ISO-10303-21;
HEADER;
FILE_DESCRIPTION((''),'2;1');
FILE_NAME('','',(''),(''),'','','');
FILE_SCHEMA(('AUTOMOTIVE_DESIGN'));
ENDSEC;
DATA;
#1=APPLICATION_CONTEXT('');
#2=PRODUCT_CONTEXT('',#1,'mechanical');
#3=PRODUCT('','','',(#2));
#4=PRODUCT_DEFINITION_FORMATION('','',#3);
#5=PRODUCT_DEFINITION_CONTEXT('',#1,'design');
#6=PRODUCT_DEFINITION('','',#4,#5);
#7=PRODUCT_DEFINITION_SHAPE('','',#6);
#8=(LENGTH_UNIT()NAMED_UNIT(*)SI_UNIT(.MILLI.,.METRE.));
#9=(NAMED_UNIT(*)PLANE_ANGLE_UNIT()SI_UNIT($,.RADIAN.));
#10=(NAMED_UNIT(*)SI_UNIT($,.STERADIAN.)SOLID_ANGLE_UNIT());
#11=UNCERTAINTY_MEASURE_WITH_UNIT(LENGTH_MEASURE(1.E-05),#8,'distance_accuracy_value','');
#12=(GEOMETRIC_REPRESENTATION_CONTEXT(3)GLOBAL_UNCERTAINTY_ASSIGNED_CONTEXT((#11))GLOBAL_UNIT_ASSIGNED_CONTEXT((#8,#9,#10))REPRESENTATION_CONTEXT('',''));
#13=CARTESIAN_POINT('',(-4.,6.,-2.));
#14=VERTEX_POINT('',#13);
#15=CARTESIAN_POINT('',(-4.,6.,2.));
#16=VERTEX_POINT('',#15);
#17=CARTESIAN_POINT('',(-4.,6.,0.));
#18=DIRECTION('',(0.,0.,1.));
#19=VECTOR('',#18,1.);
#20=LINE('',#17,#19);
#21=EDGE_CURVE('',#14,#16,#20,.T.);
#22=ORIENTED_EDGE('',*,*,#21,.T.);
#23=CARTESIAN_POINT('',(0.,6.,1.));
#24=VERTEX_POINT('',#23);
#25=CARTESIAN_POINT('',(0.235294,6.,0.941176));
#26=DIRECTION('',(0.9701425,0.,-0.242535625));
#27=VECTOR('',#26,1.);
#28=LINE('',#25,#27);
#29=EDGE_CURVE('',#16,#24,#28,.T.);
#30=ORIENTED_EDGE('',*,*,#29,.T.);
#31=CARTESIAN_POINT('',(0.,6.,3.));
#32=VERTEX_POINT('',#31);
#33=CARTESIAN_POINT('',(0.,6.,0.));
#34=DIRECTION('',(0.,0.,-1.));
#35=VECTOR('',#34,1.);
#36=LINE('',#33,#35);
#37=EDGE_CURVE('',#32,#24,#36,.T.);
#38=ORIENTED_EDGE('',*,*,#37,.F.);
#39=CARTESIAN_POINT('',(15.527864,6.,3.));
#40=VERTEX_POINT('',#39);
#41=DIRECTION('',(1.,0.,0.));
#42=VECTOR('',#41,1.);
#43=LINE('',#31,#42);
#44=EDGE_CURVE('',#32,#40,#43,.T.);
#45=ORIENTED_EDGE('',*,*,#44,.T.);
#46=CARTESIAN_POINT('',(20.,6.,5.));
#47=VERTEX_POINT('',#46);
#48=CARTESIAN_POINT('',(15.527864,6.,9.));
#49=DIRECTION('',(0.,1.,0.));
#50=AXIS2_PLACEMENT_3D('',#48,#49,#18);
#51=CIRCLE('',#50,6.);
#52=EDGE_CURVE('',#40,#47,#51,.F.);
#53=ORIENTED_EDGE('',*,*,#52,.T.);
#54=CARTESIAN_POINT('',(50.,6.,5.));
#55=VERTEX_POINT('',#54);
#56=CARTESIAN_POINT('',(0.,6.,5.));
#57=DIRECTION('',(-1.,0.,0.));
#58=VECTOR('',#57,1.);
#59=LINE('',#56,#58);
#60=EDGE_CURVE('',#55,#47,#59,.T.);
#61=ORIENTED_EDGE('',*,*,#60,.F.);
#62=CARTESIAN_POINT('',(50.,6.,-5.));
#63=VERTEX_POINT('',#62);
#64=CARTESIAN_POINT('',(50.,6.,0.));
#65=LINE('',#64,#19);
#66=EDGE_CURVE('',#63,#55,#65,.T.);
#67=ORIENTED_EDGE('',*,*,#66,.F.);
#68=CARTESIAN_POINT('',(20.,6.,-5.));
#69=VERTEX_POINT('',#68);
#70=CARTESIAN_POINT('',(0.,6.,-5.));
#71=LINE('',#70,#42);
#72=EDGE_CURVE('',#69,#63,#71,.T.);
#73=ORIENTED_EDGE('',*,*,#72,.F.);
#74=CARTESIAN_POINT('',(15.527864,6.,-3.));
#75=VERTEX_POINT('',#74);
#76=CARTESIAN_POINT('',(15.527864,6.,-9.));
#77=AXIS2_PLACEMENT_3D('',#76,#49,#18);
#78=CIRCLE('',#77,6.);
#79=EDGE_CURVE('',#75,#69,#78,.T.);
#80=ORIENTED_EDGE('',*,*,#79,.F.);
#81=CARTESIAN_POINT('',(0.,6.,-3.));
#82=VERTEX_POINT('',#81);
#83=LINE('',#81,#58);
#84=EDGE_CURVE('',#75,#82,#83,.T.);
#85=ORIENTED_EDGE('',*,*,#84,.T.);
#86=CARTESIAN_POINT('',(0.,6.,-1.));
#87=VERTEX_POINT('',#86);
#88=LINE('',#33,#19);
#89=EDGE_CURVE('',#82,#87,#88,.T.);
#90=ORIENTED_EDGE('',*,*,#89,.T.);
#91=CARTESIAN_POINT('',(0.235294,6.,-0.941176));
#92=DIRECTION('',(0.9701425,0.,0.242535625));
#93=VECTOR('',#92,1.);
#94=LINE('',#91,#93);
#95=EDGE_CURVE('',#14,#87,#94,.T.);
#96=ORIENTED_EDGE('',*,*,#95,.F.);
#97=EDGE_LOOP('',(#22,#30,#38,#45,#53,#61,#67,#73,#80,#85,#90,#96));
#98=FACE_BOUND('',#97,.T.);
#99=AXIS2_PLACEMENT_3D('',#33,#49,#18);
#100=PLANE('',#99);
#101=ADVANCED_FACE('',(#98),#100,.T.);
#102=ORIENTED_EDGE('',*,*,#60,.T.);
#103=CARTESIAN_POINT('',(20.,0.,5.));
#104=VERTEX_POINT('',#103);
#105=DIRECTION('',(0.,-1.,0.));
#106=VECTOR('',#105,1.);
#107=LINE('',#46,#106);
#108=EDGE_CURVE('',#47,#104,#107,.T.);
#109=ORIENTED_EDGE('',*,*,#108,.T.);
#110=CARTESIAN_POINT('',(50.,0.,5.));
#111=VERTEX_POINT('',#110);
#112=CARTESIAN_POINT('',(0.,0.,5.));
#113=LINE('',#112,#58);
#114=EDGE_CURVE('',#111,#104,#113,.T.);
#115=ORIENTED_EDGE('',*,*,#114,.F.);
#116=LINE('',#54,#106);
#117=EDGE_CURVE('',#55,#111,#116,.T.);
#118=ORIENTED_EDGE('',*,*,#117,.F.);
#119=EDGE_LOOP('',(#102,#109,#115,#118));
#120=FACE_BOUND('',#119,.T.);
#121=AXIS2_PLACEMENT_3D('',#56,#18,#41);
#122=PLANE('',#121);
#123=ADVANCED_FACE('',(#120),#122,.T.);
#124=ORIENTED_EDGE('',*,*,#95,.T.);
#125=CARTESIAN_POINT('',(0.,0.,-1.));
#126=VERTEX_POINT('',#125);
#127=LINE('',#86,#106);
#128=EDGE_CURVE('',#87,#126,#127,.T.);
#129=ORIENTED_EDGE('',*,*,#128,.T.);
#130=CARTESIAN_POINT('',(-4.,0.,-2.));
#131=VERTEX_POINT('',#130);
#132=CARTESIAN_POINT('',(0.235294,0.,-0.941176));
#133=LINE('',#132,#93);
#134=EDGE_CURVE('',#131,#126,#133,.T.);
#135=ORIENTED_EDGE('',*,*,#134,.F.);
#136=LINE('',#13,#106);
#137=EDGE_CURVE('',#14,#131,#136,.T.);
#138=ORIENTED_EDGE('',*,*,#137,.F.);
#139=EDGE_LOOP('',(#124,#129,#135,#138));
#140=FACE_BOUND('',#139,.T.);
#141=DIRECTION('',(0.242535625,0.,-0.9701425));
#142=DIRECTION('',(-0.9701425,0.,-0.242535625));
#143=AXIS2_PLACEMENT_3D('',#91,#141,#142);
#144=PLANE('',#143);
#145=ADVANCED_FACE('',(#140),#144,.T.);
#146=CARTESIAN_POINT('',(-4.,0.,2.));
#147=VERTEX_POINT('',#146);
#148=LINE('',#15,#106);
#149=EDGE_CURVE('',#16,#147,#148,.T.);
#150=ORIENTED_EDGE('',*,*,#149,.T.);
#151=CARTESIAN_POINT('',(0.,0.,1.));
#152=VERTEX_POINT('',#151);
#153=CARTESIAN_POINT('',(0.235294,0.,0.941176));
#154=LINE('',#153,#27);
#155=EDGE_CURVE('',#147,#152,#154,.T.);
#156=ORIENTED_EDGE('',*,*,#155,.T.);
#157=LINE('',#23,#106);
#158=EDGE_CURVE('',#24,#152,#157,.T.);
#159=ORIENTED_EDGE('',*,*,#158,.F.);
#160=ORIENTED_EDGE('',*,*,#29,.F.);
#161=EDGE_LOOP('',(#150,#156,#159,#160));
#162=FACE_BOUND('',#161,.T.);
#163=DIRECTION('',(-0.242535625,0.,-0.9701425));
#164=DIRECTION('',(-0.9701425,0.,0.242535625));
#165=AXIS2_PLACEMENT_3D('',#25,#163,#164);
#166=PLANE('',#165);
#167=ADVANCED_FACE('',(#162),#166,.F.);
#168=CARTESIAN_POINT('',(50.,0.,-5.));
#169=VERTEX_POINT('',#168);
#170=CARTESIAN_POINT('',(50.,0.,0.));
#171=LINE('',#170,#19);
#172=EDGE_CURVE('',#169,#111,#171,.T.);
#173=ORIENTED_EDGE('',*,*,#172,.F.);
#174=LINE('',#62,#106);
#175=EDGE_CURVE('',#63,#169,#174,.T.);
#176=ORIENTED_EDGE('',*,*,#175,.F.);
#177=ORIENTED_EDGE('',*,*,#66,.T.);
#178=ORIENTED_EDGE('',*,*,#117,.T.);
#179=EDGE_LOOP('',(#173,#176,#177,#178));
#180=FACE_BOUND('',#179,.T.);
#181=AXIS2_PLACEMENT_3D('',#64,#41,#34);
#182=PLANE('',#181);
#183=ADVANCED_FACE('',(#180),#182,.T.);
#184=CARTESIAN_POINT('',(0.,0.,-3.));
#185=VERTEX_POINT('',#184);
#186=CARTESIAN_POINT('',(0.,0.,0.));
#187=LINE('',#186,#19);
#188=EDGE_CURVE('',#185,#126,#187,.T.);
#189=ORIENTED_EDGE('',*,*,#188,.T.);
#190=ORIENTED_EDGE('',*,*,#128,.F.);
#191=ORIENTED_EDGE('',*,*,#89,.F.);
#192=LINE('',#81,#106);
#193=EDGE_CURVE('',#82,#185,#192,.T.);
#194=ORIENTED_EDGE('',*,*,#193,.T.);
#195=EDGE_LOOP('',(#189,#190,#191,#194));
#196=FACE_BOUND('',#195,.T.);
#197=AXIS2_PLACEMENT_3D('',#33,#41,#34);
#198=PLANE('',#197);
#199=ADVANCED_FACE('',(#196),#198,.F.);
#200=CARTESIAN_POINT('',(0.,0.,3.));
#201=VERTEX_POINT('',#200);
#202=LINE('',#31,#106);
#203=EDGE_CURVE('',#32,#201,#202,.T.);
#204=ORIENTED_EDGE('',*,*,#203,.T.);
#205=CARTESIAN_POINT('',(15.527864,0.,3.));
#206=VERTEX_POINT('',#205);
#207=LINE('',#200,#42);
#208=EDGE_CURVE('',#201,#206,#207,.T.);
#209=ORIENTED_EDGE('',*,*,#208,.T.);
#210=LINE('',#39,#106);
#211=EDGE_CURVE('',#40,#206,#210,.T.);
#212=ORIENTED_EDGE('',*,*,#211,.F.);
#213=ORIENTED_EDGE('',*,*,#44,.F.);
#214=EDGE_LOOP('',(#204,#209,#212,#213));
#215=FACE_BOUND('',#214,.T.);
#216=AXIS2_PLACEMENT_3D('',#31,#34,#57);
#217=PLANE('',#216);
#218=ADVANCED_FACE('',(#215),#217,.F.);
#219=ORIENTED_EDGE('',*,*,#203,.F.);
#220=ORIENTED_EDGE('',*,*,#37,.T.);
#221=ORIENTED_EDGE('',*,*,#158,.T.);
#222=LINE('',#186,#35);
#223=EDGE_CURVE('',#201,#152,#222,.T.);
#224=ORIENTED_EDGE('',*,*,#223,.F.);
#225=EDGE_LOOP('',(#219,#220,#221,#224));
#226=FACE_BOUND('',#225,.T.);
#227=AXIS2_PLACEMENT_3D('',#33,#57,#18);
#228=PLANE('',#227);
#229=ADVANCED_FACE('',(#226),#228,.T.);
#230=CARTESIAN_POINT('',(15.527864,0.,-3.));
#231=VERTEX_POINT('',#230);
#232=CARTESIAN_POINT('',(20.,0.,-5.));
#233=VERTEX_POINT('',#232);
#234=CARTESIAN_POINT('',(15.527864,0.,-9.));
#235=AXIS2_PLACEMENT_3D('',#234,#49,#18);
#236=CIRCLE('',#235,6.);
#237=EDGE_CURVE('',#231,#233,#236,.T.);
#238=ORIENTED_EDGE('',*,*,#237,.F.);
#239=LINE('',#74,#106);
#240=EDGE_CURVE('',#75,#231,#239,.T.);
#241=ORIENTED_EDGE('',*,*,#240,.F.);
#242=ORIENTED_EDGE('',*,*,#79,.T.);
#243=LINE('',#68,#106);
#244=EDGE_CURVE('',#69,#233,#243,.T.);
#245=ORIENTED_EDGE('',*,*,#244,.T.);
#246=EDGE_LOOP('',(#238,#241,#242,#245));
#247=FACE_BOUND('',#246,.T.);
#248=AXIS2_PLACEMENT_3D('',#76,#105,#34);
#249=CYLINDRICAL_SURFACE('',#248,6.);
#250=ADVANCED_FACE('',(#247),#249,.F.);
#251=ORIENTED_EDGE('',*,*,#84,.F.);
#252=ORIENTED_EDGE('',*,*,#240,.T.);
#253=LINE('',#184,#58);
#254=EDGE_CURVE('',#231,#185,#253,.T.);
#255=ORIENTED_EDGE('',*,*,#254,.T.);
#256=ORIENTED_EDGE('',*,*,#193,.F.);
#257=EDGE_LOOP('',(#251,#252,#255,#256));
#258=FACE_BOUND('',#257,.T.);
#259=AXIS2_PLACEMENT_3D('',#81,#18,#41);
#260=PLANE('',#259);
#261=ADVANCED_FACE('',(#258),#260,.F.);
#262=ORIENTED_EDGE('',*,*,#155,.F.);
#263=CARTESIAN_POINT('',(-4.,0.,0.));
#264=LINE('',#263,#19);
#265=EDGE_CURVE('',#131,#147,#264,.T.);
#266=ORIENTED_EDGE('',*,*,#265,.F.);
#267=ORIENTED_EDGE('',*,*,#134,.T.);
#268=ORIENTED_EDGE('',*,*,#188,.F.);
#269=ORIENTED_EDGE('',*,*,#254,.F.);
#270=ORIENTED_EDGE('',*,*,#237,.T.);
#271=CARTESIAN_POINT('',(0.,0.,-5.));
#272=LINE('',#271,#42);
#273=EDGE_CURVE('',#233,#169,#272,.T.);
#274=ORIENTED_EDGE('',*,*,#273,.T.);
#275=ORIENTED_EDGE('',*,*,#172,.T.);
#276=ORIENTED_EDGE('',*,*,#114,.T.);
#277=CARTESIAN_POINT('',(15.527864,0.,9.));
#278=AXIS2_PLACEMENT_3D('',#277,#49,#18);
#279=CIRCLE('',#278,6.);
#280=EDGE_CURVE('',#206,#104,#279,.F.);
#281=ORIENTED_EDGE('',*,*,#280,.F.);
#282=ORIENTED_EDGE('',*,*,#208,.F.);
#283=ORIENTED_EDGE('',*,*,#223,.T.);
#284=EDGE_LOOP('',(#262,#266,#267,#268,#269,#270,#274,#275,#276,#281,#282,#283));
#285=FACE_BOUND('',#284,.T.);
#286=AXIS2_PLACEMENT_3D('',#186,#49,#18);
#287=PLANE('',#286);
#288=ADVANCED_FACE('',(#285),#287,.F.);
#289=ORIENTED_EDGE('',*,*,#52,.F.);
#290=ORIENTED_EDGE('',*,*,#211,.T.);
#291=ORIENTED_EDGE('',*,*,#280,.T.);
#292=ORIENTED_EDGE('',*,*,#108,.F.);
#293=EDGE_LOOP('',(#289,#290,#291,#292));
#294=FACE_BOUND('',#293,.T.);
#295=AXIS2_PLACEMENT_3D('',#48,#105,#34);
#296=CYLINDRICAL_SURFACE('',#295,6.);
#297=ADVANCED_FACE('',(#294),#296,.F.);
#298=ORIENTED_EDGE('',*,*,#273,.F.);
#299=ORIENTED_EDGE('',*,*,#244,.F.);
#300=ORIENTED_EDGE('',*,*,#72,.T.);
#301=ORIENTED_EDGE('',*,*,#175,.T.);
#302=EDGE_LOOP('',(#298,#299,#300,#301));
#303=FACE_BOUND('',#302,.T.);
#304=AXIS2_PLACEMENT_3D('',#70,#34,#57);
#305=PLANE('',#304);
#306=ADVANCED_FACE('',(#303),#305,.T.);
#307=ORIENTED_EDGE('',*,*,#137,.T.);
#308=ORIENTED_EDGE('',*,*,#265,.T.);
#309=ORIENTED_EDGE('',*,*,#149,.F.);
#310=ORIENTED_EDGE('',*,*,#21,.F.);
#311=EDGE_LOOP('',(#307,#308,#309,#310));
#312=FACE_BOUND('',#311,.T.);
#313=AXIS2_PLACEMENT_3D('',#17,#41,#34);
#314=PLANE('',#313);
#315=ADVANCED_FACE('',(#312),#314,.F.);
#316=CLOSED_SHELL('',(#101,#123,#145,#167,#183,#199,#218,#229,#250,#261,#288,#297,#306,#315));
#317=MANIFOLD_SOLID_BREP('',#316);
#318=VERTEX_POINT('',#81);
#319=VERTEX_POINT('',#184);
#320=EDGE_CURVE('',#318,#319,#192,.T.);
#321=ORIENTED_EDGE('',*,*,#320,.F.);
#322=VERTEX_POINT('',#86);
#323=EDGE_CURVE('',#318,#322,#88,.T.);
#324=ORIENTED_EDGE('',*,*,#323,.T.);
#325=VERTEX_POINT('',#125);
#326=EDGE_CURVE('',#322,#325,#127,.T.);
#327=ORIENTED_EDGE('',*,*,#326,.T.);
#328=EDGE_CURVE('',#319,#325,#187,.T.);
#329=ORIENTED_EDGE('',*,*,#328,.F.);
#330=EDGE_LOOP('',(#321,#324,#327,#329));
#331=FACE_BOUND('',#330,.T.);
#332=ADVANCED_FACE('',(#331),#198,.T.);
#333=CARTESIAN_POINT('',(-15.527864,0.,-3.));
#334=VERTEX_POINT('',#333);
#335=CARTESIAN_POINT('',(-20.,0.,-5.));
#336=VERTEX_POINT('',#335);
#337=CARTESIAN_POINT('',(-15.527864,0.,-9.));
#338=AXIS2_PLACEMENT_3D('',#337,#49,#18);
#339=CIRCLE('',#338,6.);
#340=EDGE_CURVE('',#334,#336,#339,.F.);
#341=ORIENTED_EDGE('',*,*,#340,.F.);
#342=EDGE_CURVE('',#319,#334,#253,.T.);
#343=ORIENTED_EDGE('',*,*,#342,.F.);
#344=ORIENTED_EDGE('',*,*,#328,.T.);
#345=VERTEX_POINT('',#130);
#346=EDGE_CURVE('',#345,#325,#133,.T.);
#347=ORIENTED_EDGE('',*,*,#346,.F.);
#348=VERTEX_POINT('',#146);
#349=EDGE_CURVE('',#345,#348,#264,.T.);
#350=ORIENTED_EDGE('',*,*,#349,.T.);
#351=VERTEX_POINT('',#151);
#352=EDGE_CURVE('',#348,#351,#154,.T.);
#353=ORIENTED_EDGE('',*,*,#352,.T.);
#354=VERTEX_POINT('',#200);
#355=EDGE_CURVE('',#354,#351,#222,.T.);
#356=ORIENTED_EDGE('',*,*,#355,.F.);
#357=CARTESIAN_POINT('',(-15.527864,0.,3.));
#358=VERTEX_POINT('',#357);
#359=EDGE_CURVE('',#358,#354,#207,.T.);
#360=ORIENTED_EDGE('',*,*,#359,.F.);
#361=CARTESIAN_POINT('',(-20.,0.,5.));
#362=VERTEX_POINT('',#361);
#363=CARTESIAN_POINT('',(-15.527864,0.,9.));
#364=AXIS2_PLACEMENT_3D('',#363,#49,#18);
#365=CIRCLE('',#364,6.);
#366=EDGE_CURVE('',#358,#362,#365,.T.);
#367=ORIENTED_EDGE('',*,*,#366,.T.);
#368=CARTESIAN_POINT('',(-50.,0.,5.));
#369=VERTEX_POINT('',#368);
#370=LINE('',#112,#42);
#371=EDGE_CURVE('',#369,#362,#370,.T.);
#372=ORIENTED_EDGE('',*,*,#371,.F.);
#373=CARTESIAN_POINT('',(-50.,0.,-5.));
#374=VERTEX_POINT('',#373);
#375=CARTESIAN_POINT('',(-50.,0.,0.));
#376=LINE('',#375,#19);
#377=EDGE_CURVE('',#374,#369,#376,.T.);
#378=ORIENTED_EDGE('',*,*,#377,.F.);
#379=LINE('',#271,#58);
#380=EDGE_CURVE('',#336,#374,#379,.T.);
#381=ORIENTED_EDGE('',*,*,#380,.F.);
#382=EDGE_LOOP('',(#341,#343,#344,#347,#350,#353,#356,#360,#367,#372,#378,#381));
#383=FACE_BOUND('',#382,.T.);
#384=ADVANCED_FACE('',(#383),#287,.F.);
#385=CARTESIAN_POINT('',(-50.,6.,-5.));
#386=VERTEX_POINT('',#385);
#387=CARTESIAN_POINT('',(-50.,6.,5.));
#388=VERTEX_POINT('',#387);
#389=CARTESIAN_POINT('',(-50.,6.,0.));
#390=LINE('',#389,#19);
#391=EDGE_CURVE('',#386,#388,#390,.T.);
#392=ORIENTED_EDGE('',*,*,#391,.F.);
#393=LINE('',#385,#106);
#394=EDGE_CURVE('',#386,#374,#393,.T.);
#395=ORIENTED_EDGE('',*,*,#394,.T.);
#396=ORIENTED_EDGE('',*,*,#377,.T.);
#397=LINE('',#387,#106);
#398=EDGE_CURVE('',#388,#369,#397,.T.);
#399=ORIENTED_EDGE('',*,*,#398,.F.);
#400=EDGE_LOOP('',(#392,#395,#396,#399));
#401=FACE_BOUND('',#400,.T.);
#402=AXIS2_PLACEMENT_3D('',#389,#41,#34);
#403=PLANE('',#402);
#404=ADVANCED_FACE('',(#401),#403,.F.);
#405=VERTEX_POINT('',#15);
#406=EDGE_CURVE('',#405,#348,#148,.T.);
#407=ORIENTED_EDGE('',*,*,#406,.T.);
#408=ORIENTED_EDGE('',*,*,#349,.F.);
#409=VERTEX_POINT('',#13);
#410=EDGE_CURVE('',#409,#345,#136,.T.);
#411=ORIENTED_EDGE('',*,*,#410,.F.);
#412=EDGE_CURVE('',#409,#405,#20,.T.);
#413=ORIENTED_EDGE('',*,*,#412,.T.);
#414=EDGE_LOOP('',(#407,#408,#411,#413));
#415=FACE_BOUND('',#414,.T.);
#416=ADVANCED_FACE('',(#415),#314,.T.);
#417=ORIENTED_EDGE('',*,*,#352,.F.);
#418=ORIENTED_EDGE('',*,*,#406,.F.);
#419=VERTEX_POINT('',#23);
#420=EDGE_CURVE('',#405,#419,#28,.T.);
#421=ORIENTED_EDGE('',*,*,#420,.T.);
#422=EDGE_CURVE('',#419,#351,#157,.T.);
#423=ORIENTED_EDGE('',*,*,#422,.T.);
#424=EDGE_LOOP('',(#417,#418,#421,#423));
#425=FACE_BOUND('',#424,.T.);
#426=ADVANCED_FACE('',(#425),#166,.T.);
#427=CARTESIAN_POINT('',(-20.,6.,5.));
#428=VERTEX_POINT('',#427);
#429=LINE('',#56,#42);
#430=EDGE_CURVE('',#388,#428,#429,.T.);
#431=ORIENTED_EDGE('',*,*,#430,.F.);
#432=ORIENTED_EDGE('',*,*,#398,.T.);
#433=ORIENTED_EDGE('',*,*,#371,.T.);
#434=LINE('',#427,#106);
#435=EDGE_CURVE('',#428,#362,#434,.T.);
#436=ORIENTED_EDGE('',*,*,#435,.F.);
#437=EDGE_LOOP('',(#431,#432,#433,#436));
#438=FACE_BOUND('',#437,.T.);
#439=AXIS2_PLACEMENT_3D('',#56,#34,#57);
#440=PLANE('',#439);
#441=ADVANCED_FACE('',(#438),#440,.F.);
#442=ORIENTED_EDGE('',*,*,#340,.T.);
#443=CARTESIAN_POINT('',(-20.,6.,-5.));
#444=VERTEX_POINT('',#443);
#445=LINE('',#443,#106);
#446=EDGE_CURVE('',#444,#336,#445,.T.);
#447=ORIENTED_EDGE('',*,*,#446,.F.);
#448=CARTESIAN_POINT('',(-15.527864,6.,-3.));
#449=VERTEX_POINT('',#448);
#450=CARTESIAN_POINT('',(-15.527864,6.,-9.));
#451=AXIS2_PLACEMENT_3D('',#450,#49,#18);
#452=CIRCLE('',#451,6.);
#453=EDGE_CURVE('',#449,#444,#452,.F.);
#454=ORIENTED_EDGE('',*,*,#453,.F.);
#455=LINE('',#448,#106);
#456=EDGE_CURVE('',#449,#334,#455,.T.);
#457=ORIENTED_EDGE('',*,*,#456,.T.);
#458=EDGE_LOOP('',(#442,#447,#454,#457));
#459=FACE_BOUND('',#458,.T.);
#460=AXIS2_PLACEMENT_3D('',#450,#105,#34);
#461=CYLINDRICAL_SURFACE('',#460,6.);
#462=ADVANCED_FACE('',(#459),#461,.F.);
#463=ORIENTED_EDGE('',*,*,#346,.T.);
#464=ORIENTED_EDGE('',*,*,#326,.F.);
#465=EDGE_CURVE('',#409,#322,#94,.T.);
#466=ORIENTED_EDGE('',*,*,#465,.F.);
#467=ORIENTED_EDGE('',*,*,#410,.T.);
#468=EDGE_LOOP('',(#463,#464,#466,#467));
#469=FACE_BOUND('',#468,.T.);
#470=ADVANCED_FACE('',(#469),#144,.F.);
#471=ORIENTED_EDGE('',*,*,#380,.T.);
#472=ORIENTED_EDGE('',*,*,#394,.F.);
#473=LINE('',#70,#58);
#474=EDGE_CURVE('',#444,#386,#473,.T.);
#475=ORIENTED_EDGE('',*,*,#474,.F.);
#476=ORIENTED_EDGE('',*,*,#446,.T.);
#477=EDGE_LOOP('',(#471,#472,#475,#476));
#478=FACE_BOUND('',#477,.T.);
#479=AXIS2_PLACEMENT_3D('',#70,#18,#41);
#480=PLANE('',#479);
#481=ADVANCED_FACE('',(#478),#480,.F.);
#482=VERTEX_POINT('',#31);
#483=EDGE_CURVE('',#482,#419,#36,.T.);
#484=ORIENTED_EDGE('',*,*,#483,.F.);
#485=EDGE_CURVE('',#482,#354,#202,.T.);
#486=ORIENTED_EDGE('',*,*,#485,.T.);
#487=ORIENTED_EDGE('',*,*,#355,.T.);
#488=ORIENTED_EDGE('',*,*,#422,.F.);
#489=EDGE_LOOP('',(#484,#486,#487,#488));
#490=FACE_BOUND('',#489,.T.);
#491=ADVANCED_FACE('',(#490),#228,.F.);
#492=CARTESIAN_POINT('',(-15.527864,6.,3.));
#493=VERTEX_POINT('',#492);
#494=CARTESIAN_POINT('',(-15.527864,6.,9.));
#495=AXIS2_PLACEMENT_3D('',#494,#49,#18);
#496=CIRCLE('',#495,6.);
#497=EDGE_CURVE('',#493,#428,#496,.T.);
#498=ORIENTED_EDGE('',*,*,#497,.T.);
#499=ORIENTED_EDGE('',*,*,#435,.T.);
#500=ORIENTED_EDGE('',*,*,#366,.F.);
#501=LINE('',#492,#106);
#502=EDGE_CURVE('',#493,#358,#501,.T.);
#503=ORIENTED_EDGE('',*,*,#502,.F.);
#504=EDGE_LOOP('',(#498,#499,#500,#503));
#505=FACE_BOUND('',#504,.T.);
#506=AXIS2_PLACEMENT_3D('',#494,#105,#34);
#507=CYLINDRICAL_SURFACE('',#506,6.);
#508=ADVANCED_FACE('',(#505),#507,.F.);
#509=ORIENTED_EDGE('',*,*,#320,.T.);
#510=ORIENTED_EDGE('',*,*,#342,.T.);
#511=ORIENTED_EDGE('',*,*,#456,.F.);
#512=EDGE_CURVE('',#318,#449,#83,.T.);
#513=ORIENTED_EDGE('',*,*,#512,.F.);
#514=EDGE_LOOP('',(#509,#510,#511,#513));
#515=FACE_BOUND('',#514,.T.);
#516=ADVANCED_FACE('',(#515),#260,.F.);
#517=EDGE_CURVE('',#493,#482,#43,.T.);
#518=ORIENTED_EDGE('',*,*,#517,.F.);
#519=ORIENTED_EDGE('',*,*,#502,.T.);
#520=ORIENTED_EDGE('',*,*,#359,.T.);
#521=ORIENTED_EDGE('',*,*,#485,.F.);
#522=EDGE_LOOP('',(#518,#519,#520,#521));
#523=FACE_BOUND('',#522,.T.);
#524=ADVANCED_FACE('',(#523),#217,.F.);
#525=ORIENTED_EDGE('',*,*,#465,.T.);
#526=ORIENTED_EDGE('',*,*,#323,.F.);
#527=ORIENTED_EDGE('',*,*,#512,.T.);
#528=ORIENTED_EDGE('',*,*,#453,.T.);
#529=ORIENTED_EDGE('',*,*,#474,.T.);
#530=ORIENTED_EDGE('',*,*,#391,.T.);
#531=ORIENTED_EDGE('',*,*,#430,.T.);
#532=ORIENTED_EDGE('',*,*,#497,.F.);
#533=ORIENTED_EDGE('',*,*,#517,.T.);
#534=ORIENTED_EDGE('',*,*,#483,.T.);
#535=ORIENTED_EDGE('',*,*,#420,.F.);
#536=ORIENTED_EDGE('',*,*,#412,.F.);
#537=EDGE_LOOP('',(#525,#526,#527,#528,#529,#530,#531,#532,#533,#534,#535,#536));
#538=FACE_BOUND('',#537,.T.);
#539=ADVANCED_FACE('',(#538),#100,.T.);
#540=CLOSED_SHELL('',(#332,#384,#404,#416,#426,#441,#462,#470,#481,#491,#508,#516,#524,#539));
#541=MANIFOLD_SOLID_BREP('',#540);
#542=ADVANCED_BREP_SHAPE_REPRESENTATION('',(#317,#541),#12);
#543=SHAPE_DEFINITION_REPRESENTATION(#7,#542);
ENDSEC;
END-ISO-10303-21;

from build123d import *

# Parameters (mm, degrees)
BOSS_EXTRUDE1_DEPTH = 6
BOSS_EXTRUDE2_DEPTH = 6


with BuildPart() as part:
    # Sketch1 → Boss-Extrude1 (new body)
    with BuildSketch(Plane(origin=(0, 0, 0), x_dir=(1, 0, 0), z_dir=(0, 1, 0))):
        with BuildLine():
            Line((0, 1), (0, 3))
            Line((0, 3), (-15.527864045, 3))
            ThreePointArc((-15.527864045, 3), (-17.977353788, 3.522774425), (-20, 5))
            Line((-20, 5), (-50, 5))
            Line((-50, 5), (-50, -5))
            Line((-50, -5), (-20, -5))
            ThreePointArc((-20, -5), (-17.977353788, -3.522774425), (-15.527864045, -3))
            Line((-15.527864045, -3), (0, -3))
            Line((0, -3), (0, -1))
            Line((0, -1), (-4, -2))
            Line((-4, -2), (-4, 2))
            Line((-4, 2), (0, 1))
        make_face()
    extrude(amount=BOSS_EXTRUDE1_DEPTH)


with BuildPart() as body_2:
    # Sketch1<4> → Boss-Extrude2 (new body)
    with BuildSketch(Plane(origin=(0, 0, 0), x_dir=(1, 0, 0), z_dir=(0, 1, 0))):
        with BuildLine():
            ThreePointArc((20, 5), (17.977353788, 3.522774425), (15.527864045, 3))
            Line((15.527864045, 3), (0, 3))
            Line((0, 3), (0, 1))
            Line((0, 1), (-4, 2))
            Line((-4, 2), (-4, -2))
            Line((-4, -2), (0, -1))
            Line((0, -1), (0, -3))
            Line((0, -3), (15.527864045, -3))
            ThreePointArc((15.527864045, -3), (17.977353788, -3.522774425), (20, -5))
            Line((20, -5), (50, -5))
            Line((50, -5), (50, 5))
            Line((50, 5), (20, 5))
        make_face()
    extrude(amount=BOSS_EXTRUDE2_DEPTH)


solid = Compound([part.part, body_2.part])
